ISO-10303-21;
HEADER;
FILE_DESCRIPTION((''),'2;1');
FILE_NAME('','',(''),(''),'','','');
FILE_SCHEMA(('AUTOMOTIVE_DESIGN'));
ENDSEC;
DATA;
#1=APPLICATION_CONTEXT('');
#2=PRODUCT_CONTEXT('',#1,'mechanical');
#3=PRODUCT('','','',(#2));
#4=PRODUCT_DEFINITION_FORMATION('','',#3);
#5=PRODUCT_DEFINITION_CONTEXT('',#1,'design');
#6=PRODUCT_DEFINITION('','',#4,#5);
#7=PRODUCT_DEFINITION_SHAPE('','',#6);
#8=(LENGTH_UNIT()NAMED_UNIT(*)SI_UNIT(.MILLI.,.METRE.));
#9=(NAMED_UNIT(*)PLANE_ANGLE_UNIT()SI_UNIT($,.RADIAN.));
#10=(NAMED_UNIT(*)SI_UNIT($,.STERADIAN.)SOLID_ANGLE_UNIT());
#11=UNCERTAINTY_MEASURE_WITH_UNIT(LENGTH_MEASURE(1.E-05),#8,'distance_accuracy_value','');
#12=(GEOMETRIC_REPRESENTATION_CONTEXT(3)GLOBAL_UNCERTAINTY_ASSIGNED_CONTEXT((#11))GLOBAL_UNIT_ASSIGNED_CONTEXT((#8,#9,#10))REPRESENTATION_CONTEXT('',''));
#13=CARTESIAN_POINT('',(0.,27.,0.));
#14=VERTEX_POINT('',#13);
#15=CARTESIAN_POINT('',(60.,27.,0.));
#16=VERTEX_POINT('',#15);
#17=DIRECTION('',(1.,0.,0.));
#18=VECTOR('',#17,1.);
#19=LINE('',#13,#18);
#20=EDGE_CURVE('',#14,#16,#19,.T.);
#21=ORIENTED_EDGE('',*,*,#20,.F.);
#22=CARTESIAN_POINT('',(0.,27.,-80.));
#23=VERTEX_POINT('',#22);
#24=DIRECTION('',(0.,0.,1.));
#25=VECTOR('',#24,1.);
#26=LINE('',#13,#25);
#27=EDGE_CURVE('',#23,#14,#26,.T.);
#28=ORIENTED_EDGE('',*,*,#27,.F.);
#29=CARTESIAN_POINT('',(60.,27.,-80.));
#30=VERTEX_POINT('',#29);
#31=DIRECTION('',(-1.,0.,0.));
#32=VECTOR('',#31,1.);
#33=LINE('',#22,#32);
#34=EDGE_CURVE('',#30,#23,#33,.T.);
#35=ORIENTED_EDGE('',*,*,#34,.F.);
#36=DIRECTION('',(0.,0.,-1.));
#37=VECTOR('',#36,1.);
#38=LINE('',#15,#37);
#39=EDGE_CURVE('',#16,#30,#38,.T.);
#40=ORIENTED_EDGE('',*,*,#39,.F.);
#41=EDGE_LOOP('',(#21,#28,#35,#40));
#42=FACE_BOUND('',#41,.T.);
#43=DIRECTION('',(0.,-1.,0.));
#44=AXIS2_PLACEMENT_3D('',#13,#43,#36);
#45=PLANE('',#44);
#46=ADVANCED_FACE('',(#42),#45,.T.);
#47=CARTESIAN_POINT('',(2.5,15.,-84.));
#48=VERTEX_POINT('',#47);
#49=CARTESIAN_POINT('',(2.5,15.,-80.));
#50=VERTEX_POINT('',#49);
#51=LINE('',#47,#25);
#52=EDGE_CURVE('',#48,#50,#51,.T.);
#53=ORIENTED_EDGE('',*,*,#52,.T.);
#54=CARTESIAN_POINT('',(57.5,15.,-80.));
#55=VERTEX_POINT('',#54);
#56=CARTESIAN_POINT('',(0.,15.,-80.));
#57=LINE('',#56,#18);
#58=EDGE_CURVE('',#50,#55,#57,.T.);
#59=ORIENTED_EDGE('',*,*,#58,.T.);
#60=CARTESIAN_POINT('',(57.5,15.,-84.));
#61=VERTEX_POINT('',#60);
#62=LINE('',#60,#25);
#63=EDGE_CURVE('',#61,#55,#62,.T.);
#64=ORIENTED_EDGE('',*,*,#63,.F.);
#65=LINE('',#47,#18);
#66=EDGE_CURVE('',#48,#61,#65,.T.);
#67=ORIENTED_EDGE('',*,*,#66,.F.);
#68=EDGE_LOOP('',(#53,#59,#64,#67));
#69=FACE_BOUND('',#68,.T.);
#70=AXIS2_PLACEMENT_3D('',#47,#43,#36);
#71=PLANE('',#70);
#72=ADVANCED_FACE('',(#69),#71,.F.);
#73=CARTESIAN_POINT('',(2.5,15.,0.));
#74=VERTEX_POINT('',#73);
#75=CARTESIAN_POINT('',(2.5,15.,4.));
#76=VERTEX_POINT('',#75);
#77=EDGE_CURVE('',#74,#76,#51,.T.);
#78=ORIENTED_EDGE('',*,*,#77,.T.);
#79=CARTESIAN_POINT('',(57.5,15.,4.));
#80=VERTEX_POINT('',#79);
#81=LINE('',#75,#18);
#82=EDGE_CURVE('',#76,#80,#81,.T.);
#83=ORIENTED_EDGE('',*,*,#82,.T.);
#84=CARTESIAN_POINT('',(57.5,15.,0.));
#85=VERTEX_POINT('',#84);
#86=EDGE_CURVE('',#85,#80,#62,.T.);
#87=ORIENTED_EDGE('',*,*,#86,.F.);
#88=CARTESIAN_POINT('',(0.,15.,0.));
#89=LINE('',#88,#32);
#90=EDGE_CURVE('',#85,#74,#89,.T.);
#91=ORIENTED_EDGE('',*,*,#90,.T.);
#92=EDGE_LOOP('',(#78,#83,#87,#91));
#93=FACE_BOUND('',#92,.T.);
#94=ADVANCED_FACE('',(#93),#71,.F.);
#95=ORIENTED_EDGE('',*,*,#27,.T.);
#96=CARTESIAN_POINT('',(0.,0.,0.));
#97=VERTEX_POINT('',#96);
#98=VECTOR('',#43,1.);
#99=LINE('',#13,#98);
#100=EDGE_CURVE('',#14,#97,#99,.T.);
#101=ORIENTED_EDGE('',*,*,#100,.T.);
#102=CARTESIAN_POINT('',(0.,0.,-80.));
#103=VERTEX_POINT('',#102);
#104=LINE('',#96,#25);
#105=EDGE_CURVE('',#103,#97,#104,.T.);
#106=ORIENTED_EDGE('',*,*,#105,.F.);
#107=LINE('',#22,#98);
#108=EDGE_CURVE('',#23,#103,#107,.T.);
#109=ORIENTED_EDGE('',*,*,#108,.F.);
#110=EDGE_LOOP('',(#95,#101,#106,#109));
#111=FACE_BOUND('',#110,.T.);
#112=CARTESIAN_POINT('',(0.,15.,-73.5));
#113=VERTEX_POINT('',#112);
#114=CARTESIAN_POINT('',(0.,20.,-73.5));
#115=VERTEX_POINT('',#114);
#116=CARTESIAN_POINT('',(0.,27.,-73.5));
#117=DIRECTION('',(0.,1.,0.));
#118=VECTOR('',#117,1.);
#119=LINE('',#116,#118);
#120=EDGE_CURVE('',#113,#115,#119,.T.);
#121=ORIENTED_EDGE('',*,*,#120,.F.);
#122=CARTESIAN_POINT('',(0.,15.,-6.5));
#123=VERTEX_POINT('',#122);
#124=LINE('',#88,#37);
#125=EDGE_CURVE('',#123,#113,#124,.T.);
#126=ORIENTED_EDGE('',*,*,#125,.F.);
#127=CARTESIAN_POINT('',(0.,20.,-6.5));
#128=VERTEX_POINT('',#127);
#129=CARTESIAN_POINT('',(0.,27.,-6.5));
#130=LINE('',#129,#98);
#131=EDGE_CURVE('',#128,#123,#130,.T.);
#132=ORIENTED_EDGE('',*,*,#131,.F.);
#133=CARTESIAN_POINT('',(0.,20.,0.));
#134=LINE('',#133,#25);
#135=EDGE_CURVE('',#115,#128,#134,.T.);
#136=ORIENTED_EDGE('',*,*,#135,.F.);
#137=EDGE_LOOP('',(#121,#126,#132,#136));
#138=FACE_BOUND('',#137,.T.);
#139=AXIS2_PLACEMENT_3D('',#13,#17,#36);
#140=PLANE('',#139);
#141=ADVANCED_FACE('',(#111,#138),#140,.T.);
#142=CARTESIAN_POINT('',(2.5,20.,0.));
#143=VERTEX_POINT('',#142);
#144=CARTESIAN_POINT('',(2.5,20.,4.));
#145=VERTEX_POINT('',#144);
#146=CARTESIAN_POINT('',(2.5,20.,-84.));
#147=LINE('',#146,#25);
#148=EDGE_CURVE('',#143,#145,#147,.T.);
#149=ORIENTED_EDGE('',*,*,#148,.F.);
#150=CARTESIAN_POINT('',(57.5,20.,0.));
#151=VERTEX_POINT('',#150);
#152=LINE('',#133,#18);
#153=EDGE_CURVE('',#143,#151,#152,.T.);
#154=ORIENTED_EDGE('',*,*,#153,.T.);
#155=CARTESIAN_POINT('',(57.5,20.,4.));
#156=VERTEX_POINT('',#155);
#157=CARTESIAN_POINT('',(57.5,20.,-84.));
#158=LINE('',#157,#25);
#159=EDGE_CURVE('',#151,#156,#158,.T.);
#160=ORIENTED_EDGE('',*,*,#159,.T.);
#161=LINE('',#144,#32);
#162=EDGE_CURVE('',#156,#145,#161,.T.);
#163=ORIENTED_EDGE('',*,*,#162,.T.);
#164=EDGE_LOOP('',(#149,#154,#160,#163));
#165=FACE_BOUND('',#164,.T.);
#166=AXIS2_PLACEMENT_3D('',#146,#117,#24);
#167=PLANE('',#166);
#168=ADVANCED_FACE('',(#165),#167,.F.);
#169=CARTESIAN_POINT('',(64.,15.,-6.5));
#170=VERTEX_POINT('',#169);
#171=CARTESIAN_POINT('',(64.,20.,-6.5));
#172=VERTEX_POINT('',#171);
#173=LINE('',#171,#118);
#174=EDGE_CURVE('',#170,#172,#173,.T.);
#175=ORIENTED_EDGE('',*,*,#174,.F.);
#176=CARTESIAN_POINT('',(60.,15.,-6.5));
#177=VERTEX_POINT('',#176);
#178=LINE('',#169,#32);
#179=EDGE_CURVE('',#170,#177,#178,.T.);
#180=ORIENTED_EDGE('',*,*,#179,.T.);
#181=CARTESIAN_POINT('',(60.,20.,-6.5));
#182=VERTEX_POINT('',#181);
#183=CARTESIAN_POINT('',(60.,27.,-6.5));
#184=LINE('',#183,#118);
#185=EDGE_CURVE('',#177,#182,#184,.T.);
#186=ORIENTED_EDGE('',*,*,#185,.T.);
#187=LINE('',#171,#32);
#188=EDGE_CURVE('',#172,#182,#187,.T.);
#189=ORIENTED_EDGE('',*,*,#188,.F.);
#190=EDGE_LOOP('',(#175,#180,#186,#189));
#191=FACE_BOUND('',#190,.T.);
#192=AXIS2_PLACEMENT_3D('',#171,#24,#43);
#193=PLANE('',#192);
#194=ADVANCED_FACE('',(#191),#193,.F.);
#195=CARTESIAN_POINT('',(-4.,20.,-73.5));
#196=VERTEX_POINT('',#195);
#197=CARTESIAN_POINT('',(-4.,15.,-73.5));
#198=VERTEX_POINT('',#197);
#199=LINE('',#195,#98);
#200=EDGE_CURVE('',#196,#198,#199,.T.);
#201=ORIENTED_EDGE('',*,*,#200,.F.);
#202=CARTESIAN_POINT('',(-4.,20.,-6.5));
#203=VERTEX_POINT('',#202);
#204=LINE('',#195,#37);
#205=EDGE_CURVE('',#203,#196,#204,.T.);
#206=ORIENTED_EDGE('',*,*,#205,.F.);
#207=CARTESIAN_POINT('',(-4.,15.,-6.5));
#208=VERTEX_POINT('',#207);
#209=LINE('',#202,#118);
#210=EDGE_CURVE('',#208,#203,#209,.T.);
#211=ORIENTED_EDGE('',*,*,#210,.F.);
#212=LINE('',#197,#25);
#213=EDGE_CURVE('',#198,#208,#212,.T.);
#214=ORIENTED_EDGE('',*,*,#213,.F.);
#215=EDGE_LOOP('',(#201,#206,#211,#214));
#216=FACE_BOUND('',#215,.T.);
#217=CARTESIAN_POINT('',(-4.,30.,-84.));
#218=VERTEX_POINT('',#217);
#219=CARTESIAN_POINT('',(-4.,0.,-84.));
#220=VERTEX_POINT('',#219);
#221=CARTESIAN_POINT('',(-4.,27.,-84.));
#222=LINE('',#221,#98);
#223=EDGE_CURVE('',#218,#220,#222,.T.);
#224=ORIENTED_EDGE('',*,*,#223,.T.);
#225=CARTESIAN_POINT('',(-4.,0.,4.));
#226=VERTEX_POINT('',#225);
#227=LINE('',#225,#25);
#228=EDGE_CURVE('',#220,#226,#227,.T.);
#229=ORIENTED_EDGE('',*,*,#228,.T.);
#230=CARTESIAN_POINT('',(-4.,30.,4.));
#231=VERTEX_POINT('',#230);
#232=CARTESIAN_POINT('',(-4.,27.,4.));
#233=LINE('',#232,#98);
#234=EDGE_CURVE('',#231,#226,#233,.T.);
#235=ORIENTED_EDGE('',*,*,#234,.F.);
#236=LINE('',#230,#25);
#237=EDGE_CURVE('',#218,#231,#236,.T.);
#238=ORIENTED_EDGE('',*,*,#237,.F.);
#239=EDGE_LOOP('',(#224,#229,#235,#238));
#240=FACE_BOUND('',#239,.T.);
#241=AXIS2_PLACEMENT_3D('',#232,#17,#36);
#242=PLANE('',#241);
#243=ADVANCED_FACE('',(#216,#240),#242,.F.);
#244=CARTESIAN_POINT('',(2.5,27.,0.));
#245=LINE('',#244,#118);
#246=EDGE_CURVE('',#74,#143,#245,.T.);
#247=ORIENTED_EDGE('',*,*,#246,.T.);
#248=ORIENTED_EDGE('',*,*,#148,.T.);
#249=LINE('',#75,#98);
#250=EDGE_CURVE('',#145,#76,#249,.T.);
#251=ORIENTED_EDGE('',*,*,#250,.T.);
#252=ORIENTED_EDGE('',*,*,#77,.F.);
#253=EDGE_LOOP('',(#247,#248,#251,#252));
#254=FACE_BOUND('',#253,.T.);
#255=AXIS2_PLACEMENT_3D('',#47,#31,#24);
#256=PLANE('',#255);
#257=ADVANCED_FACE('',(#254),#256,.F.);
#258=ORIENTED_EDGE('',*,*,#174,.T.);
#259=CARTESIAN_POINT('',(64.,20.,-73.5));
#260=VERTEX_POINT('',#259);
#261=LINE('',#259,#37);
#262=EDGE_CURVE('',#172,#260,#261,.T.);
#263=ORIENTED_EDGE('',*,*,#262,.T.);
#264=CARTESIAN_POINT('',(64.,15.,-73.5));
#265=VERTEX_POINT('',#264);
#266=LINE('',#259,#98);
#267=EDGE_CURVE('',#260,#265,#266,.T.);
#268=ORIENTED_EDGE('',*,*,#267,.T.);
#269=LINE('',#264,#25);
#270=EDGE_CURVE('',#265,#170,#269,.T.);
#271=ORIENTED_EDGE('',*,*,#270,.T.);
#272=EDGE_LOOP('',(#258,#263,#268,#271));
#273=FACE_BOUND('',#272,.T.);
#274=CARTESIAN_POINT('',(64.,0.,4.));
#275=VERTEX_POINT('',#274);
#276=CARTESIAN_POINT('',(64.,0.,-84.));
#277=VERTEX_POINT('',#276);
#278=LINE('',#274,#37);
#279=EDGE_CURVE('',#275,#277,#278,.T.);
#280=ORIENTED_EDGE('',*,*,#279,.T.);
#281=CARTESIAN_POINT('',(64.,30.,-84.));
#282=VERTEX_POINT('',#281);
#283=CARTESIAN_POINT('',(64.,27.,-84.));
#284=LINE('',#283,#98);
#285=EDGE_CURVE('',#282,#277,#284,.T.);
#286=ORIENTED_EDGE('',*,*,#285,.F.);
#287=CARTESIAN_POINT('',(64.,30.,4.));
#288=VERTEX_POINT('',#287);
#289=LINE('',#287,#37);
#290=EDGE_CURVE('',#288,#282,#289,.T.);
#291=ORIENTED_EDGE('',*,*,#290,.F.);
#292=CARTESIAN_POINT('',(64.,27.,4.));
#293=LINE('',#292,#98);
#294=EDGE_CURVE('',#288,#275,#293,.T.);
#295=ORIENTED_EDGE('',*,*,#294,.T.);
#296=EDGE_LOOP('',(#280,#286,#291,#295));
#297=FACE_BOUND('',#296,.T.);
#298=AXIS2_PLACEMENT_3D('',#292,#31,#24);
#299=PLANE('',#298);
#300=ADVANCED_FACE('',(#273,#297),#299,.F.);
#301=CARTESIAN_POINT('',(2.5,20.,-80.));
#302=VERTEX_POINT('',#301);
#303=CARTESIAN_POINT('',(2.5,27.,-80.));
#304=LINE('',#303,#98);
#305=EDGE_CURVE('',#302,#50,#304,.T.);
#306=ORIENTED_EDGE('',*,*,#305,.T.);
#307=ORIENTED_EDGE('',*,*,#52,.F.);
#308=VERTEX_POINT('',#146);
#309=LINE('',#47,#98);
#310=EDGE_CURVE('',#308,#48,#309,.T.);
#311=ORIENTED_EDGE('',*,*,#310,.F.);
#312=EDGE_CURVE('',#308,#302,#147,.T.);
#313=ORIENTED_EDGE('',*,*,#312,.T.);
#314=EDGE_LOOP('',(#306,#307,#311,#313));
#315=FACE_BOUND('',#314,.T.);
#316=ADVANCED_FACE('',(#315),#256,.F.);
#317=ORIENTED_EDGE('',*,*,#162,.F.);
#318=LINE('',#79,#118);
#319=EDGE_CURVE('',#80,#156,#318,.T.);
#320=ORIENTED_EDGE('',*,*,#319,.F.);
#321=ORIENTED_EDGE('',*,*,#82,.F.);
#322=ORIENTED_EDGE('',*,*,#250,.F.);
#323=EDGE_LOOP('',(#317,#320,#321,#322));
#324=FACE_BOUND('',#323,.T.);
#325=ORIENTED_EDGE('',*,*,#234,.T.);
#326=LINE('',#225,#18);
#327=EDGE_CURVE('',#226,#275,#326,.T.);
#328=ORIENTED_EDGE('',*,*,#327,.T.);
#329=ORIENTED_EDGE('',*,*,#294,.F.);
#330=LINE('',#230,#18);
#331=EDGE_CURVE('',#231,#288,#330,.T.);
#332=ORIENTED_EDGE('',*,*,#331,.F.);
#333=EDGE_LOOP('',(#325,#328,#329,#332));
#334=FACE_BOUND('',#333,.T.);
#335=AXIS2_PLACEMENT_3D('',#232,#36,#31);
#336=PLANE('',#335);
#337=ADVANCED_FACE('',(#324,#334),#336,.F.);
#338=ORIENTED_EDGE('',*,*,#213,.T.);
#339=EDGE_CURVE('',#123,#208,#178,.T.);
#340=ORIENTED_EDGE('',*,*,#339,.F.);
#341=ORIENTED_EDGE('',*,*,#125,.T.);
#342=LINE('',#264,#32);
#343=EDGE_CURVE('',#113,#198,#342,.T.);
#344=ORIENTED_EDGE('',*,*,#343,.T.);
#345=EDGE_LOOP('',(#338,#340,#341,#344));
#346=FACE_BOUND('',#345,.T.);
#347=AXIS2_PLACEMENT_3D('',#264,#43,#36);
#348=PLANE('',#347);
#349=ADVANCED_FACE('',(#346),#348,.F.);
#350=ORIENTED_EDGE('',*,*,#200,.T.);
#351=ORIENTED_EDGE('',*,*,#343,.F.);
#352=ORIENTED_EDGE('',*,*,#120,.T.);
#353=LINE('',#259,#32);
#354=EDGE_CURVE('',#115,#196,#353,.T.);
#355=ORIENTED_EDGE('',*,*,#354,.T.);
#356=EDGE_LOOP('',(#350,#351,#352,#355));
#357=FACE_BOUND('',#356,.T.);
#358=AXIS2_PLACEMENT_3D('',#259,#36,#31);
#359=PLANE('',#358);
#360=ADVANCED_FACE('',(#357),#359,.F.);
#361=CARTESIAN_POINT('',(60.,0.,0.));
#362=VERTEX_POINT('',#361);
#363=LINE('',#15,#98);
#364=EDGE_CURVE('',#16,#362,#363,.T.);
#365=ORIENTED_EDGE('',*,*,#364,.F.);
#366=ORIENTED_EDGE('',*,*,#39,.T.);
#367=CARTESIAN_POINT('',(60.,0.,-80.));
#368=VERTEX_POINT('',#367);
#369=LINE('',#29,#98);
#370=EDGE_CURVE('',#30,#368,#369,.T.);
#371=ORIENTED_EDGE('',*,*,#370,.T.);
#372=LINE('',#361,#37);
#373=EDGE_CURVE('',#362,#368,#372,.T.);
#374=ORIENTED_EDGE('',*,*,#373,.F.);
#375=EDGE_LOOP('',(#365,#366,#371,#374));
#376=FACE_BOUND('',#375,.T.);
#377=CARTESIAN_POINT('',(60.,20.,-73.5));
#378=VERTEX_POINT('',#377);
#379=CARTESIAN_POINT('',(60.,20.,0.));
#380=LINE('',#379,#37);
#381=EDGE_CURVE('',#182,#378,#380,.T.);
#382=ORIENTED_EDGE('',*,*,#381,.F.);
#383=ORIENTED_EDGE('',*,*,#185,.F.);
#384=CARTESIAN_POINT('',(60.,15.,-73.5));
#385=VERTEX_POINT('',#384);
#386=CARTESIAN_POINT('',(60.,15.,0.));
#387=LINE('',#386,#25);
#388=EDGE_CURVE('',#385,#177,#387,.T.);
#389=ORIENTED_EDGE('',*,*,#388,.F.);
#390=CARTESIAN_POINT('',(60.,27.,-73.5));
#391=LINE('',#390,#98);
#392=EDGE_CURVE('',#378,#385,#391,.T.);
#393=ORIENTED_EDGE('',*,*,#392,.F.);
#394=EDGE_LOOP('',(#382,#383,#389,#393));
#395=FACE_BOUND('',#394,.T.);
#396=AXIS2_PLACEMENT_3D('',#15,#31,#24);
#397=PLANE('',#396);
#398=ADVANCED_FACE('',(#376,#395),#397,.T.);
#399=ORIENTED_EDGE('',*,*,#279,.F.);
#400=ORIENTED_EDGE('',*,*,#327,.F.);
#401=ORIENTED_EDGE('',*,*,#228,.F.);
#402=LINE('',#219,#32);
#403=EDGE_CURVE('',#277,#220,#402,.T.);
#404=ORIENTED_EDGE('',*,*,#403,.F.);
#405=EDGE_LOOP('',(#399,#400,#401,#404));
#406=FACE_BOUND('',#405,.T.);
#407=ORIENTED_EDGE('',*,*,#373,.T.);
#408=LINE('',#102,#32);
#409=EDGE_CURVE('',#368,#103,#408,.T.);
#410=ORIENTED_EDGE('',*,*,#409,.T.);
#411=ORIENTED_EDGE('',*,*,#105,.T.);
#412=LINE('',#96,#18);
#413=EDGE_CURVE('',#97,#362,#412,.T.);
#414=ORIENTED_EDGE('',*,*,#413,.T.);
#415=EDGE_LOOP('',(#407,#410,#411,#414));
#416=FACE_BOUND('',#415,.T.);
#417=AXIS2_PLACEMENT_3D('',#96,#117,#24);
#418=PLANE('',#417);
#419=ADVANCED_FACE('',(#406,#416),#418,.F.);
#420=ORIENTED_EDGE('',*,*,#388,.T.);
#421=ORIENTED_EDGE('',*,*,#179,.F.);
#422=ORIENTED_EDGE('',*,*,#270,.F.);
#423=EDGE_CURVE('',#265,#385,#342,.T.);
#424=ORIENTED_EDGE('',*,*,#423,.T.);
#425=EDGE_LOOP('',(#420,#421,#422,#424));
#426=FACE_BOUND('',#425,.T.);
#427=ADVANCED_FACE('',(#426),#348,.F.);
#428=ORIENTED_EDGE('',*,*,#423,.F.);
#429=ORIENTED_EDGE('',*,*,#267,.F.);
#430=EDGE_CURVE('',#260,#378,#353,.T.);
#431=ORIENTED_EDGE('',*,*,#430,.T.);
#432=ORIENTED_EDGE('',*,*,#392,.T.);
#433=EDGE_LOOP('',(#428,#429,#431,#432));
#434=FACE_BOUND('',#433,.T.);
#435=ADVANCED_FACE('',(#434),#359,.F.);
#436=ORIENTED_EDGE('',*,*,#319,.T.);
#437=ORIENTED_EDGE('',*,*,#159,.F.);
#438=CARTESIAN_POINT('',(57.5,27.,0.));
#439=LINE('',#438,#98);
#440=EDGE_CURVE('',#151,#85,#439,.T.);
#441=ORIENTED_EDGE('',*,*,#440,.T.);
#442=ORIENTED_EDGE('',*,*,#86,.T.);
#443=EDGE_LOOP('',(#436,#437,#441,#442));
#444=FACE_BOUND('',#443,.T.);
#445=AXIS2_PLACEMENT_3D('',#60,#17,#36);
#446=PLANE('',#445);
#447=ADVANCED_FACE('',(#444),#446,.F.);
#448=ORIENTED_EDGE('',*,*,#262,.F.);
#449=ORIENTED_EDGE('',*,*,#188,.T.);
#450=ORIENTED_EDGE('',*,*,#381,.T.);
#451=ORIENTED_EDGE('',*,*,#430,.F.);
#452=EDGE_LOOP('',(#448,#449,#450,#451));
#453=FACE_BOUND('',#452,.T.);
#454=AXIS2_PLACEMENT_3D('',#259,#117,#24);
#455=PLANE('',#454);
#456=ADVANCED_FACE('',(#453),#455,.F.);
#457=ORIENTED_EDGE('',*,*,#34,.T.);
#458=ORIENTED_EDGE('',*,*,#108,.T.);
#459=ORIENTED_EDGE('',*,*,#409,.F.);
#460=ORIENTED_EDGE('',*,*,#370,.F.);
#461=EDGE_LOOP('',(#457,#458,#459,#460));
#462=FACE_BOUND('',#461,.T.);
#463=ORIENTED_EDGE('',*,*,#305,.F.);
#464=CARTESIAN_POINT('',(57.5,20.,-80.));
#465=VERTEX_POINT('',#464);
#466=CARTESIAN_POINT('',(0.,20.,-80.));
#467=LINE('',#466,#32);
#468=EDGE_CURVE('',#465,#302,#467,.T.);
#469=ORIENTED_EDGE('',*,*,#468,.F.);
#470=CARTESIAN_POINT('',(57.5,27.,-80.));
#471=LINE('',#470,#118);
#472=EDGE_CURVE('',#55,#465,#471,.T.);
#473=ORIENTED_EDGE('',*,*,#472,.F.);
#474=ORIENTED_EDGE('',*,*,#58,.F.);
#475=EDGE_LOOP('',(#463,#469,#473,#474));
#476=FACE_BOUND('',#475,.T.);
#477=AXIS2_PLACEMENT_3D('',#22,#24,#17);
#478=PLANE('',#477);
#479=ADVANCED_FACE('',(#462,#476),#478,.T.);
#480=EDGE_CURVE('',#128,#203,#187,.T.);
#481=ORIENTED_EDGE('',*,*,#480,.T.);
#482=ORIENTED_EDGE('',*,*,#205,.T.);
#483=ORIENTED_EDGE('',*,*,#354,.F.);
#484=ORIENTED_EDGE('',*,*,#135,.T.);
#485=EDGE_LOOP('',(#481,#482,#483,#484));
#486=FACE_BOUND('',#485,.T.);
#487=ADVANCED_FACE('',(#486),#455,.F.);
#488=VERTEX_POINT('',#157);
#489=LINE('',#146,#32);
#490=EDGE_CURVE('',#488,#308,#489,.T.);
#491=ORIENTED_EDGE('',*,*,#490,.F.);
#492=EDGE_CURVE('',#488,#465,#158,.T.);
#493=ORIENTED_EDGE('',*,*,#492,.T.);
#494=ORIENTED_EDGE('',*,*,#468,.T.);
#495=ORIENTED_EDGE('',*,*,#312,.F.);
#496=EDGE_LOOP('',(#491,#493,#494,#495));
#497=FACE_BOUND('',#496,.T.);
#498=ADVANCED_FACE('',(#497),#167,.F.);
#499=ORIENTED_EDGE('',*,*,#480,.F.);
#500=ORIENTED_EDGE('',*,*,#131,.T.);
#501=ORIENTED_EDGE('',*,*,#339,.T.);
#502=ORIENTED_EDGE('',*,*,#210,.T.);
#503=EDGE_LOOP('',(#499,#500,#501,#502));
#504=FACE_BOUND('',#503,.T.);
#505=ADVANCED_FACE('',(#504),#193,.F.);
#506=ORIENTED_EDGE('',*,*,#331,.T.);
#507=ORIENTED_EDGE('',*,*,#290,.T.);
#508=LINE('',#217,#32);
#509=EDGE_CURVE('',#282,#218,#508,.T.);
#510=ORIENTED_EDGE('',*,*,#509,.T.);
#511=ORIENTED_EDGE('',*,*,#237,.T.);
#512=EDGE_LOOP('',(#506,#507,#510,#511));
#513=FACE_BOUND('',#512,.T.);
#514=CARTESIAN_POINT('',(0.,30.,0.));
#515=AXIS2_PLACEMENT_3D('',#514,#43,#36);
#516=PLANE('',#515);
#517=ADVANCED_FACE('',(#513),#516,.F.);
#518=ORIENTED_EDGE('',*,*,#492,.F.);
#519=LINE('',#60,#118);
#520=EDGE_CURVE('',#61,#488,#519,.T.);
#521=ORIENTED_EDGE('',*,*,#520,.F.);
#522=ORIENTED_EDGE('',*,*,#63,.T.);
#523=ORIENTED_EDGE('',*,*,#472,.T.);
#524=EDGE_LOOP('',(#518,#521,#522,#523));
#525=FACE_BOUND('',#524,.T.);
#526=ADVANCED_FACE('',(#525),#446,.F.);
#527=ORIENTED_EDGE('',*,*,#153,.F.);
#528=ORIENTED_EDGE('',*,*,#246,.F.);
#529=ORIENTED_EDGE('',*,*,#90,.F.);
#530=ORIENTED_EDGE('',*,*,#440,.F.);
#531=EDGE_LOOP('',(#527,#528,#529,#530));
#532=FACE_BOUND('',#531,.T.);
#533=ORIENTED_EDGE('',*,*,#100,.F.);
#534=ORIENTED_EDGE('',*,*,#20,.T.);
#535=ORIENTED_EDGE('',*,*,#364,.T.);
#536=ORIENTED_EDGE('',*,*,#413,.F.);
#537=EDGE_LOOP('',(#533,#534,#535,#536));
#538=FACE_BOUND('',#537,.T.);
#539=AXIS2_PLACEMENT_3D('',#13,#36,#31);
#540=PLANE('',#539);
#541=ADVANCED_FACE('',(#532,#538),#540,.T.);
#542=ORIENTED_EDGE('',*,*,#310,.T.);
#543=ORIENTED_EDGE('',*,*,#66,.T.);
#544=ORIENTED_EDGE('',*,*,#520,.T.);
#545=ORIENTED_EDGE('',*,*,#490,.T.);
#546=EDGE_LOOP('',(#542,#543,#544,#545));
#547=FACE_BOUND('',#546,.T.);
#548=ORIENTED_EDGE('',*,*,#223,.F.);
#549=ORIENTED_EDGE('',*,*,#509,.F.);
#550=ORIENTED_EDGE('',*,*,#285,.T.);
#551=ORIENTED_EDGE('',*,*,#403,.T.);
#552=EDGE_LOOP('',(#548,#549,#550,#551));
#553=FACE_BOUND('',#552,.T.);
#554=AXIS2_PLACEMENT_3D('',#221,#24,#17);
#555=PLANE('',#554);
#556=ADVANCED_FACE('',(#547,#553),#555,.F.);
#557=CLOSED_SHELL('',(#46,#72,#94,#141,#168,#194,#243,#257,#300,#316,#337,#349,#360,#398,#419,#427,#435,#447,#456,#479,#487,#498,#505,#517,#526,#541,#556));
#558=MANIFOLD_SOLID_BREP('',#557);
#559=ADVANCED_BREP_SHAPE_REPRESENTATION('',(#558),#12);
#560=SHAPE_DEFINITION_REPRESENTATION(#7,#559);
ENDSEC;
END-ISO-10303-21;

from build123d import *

# Parameters (mm, degrees)
CROQUIS1_W              = 68
CROQUIS1_H              = 88
CROQUIS1_W_2            = 60
CROQUIS1_H_2            = 80
SALIENTE_EXTRUIR1_DEPTH = 27
CROQUIS3_W              = 68
CROQUIS3_H              = 88
SALIENTE_EXTRUIR2_DEPTH = 3
CROQUIS4_W              = 67
CROQUIS4_H              = 5
CORTAR_EXTRUIR1_DEPTH   = 69
CROQUIS5_W              = 55
CROQUIS5_H              = 5
CORTAR_EXTRUIR2_DEPTH   = 89


with BuildPart() as part:
    # Croquis1 → Saliente-Extruir1 (new body)
    with BuildSketch(Plane(origin=(0, 0, 0), x_dir=(1, 0, 0), z_dir=(0, 1, 0))):
        with Locations((30, 40)):
            Rectangle(CROQUIS1_W, CROQUIS1_H)
        with Locations((30, 40)):
            Rectangle(CROQUIS1_W_2, CROQUIS1_H_2, mode=Mode.SUBTRACT)
    extrude(amount=SALIENTE_EXTRUIR1_DEPTH)

    # Croquis3 → Saliente-Extruir2 (add)
    with BuildSketch(Plane(origin=(0, 27, 0), x_dir=(1, 0, 0), z_dir=(0, 1, 0))):
        with Locations((30, 40)):
            Rectangle(CROQUIS3_W, CROQUIS3_H)
    extrude(amount=SALIENTE_EXTRUIR2_DEPTH)

    # Croquis4 → Cortar-Extruir1 (cut, through all)
    with BuildSketch(Plane.ZY.offset(4)):
        with Locations((-40, 17.5)):
            Rectangle(CROQUIS4_W, CROQUIS4_H)
    extrude(amount=-CORTAR_EXTRUIR1_DEPTH, mode=Mode.SUBTRACT)

    # Croquis5 → Cortar-Extruir2 (cut, through all)
    with BuildSketch(Plane.XY.offset(4)):
        with Locations((30, 17.5)):
            Rectangle(CROQUIS5_W, CROQUIS5_H)
    extrude(amount=-CORTAR_EXTRUIR2_DEPTH, mode=Mode.SUBTRACT)


solid = part.part
